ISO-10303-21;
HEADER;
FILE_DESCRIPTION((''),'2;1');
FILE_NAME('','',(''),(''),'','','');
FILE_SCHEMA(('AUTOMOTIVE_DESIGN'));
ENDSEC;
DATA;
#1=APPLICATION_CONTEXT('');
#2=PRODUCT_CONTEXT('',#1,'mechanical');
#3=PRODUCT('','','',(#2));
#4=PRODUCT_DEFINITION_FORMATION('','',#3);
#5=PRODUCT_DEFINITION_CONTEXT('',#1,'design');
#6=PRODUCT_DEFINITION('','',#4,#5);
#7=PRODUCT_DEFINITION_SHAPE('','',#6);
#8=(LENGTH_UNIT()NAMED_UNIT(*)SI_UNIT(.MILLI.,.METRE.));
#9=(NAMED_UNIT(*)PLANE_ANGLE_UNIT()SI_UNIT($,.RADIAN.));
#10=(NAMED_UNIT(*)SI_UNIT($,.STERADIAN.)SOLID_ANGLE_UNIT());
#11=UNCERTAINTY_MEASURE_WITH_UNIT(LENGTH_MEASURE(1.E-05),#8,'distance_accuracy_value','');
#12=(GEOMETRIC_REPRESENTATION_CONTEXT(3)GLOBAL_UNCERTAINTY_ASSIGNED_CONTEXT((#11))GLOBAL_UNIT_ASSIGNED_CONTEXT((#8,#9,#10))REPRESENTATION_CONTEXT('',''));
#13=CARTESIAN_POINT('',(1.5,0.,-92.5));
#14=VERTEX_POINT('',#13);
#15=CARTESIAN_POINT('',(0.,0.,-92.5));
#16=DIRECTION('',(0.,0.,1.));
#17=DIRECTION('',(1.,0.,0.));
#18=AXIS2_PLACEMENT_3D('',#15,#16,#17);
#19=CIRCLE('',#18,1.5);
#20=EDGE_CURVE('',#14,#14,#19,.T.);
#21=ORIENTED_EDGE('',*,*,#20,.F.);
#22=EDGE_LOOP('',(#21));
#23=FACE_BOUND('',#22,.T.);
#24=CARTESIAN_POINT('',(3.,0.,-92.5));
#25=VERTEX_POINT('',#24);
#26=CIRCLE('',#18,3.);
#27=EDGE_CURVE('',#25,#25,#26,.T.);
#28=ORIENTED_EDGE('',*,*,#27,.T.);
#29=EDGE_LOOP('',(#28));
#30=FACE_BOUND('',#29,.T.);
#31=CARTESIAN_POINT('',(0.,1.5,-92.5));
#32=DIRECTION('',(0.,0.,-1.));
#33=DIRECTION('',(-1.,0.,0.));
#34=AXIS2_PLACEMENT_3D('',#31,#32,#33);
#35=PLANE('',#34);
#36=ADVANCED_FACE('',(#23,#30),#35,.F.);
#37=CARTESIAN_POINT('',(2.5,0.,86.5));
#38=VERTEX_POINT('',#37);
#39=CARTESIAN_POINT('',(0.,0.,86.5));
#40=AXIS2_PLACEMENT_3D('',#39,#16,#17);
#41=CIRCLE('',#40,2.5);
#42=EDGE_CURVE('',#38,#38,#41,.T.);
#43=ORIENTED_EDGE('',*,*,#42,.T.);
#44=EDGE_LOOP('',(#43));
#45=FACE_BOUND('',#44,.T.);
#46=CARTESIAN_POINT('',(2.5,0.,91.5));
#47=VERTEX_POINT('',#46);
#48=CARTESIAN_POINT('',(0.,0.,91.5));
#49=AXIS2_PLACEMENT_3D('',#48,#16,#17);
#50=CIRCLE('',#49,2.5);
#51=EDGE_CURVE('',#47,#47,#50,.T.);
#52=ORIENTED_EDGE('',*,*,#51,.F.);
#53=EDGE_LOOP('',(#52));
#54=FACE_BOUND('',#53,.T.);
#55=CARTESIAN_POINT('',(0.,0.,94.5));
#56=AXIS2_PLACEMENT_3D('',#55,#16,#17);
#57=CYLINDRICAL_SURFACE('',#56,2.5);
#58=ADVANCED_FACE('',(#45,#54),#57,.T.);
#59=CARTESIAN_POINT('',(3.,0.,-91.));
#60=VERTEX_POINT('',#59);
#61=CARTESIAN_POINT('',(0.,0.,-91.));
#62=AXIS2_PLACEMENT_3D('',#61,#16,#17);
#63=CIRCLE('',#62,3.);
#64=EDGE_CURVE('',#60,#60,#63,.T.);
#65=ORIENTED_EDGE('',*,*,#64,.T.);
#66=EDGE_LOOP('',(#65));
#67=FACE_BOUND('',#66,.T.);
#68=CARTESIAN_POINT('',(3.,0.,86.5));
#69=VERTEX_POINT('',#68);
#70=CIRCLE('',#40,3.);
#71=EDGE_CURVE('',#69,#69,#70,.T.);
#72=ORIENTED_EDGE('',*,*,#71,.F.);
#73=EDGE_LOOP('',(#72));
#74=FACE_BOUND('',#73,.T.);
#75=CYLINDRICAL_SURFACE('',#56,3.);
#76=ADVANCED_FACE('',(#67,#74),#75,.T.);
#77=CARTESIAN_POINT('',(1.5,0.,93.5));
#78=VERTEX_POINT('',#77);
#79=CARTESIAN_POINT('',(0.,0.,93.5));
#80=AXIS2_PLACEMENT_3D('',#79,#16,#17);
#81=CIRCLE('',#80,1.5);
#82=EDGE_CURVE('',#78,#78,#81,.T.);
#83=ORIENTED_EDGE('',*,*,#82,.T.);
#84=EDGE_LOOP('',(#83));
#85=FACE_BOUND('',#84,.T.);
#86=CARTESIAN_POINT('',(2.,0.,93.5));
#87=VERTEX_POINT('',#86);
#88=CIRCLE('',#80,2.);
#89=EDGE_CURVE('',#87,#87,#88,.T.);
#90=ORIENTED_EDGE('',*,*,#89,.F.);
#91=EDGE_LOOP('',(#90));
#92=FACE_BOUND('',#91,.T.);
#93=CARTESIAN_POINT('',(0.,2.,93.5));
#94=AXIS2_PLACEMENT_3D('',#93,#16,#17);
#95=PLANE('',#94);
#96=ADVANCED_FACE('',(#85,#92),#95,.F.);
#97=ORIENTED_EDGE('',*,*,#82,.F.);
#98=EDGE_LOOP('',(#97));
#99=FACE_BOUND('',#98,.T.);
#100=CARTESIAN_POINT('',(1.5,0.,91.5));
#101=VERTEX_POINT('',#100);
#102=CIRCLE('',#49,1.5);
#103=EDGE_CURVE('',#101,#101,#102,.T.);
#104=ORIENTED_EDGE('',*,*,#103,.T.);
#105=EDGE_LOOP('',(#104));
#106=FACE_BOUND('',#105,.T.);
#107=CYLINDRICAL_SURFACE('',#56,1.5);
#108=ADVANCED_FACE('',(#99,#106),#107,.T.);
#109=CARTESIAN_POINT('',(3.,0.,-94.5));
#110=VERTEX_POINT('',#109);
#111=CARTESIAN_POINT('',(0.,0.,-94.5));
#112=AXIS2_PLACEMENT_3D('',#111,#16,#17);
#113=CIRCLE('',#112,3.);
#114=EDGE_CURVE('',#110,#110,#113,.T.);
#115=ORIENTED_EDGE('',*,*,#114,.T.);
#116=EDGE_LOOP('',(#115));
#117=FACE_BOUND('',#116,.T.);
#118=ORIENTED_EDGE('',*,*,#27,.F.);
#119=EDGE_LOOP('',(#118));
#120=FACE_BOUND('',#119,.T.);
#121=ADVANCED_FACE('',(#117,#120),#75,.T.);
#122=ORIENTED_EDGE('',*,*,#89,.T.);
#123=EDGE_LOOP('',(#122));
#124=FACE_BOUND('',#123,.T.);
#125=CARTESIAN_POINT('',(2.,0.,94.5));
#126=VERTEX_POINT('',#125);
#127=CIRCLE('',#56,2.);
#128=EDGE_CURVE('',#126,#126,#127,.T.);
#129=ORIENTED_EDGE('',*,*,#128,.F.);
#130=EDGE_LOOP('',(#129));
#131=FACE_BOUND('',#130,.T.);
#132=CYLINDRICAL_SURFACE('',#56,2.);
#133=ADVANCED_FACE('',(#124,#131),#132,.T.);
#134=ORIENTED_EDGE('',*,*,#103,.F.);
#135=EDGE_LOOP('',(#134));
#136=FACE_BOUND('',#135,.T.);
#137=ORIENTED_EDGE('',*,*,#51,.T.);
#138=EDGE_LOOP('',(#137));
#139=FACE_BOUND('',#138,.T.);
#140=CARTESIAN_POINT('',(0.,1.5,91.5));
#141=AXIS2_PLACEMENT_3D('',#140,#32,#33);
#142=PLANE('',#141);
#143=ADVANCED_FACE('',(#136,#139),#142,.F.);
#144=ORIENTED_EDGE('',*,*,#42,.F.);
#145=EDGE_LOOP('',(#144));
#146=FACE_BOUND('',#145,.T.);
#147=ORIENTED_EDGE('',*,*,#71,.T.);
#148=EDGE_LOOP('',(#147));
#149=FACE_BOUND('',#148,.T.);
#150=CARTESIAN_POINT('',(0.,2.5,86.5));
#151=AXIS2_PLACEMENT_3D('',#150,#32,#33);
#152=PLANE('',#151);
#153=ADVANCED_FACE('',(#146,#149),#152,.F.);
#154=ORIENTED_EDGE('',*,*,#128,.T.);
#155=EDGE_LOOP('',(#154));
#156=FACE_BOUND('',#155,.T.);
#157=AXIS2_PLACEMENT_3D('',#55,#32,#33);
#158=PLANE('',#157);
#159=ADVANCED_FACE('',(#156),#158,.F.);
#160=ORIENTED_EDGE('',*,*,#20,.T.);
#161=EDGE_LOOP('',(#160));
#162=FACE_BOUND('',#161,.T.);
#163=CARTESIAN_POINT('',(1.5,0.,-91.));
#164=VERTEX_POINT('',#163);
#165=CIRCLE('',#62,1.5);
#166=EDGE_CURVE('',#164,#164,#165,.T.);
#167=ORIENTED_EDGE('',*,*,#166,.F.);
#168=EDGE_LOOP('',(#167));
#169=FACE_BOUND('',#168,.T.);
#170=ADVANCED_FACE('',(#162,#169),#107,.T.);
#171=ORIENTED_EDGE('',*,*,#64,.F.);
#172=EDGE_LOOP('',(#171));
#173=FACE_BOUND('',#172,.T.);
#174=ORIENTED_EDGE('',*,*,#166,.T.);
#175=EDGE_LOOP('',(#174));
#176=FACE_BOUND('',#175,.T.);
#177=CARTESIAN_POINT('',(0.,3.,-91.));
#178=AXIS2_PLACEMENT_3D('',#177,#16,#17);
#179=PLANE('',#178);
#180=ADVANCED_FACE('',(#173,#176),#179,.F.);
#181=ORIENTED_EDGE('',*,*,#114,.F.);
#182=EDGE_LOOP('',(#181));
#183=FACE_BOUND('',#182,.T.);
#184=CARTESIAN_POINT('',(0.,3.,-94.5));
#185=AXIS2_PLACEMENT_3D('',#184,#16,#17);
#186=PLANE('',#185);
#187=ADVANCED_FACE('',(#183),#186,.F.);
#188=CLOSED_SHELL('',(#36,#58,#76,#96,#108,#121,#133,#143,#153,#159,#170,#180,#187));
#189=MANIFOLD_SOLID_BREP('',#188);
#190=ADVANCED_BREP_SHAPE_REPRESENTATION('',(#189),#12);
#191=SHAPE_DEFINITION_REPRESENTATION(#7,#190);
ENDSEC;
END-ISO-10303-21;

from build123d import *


with BuildPart() as part:
    # Croquis1 → Revolución1 (revolve)
    with BuildSketch(Plane(origin=(0, 0, 0), x_dir=(0, 0, -1), z_dir=(1, 0, 0)), mode=Mode.PRIVATE) as revoluci_n1_sk:
        Polygon((-94.5, 0), (-94.5, 2), (-93.5, 2), (-93.5, 1.5), (-91.5, 1.5), (-91.5, 2.5), (-86.5, 2.5), (-86.5, 3), (91, 3), (91, 1.5), (92.5, 1.5), (92.5, 3), (94.5, 3), (94.5, 0), align=None)
    revolve(revoluci_n1_sk.sketch.rotate(Axis((0, 0, 94.5), (0, 0, -1)), 90), axis=Axis((0, 0, 94.5), (0, 0, -1)))


solid = part.part
